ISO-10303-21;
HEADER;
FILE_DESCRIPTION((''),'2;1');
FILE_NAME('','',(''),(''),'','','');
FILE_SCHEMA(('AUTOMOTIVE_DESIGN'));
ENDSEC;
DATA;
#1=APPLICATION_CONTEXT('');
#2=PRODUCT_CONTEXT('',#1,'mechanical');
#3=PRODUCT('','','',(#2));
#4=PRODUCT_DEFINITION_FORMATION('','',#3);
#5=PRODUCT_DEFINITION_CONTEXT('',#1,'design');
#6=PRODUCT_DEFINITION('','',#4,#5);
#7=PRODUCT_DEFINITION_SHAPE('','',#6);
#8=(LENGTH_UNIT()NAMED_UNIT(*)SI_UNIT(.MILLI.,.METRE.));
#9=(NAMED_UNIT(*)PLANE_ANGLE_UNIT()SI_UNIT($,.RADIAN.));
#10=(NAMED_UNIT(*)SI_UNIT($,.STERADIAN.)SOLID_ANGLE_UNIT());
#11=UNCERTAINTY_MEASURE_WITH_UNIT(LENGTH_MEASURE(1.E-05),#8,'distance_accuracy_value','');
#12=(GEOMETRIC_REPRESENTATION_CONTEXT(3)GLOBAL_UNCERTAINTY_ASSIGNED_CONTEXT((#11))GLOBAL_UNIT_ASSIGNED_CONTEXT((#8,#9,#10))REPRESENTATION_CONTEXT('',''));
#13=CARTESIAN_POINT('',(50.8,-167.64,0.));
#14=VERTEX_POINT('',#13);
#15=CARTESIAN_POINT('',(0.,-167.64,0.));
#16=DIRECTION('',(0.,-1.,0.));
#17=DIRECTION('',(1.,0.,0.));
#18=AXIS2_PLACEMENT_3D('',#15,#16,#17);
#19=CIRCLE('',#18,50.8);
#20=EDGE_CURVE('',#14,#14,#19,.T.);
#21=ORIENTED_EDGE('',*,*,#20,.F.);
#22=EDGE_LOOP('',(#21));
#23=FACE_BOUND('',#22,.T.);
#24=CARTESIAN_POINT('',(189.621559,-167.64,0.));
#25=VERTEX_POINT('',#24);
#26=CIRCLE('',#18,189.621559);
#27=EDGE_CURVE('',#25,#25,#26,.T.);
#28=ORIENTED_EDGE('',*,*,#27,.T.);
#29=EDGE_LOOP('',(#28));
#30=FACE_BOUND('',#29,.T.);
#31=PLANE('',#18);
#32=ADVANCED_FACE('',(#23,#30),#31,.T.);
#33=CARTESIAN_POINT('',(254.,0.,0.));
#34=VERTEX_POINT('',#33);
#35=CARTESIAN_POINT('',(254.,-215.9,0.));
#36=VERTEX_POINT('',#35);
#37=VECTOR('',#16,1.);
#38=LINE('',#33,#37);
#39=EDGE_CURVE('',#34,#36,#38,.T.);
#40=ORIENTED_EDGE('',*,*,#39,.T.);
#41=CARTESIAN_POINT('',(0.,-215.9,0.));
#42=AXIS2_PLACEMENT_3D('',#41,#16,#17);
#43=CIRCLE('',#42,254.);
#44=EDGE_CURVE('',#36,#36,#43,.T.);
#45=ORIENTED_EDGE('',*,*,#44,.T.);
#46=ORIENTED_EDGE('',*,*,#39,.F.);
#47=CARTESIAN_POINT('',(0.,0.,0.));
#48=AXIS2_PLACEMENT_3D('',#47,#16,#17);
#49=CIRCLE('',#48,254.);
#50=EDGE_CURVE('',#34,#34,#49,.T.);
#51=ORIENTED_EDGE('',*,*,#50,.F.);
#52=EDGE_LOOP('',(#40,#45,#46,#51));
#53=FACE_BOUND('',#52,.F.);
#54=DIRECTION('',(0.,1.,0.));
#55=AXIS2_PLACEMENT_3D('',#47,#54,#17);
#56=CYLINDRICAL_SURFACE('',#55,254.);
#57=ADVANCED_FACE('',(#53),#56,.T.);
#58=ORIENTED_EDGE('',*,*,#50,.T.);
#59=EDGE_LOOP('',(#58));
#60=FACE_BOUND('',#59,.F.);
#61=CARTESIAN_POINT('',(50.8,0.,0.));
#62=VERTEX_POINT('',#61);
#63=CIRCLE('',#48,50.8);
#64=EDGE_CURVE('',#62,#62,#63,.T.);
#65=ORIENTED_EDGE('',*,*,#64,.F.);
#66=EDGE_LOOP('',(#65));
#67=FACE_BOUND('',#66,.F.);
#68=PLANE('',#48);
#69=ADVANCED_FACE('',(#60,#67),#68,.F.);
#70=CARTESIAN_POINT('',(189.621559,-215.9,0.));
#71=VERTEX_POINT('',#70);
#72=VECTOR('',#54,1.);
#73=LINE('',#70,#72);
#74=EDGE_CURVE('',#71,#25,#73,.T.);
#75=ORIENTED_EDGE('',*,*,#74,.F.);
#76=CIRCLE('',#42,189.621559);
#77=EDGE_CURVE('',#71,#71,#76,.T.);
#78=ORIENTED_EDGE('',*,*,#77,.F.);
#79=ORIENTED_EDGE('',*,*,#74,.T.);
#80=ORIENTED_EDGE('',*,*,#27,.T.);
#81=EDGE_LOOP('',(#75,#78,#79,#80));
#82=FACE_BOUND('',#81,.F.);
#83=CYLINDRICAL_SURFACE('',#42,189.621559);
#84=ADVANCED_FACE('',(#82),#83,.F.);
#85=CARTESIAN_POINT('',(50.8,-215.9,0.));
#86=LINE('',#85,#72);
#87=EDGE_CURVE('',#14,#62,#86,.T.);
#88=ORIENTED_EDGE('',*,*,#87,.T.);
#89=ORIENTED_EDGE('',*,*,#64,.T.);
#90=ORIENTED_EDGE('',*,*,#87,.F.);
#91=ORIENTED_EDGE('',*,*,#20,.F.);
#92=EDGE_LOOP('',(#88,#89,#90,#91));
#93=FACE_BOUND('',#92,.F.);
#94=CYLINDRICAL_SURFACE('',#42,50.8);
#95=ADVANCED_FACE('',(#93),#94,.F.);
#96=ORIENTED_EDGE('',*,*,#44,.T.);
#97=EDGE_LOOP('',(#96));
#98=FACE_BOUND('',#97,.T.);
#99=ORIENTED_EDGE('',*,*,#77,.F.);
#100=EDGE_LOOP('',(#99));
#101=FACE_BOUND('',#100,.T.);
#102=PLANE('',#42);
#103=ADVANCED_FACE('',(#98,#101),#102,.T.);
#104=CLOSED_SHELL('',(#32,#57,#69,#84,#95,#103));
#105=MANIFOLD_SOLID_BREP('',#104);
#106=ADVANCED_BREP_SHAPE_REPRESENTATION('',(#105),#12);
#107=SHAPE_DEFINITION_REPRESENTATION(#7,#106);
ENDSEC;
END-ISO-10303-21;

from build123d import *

# Parameters (mm, degrees)
F0_R     = 254
F1_DEPTH = 215.9
F2_R     = 50.8
F3_DEPTH = 215.901
F4_R     = 189.621559
F5_DEPTH = 48.26


with BuildPart() as f1:
    # F0 (on Front) → F1 (new body)
    with BuildSketch(Plane.XZ):
        Circle(F0_R)
    extrude(amount=F1_DEPTH)

    # F2 (on face) → F3 (cut, through all)
    with BuildSketch(Plane.XZ.offset(215.9)):
        Circle(F2_R)
    extrude(amount=-F3_DEPTH, mode=Mode.SUBTRACT)

    # F4 (on face) → F5 (cut)
    with BuildSketch(Plane.XZ.offset(215.9)):
        Circle(F4_R)
    extrude(amount=-F5_DEPTH, mode=Mode.SUBTRACT)


solid = f1.part
